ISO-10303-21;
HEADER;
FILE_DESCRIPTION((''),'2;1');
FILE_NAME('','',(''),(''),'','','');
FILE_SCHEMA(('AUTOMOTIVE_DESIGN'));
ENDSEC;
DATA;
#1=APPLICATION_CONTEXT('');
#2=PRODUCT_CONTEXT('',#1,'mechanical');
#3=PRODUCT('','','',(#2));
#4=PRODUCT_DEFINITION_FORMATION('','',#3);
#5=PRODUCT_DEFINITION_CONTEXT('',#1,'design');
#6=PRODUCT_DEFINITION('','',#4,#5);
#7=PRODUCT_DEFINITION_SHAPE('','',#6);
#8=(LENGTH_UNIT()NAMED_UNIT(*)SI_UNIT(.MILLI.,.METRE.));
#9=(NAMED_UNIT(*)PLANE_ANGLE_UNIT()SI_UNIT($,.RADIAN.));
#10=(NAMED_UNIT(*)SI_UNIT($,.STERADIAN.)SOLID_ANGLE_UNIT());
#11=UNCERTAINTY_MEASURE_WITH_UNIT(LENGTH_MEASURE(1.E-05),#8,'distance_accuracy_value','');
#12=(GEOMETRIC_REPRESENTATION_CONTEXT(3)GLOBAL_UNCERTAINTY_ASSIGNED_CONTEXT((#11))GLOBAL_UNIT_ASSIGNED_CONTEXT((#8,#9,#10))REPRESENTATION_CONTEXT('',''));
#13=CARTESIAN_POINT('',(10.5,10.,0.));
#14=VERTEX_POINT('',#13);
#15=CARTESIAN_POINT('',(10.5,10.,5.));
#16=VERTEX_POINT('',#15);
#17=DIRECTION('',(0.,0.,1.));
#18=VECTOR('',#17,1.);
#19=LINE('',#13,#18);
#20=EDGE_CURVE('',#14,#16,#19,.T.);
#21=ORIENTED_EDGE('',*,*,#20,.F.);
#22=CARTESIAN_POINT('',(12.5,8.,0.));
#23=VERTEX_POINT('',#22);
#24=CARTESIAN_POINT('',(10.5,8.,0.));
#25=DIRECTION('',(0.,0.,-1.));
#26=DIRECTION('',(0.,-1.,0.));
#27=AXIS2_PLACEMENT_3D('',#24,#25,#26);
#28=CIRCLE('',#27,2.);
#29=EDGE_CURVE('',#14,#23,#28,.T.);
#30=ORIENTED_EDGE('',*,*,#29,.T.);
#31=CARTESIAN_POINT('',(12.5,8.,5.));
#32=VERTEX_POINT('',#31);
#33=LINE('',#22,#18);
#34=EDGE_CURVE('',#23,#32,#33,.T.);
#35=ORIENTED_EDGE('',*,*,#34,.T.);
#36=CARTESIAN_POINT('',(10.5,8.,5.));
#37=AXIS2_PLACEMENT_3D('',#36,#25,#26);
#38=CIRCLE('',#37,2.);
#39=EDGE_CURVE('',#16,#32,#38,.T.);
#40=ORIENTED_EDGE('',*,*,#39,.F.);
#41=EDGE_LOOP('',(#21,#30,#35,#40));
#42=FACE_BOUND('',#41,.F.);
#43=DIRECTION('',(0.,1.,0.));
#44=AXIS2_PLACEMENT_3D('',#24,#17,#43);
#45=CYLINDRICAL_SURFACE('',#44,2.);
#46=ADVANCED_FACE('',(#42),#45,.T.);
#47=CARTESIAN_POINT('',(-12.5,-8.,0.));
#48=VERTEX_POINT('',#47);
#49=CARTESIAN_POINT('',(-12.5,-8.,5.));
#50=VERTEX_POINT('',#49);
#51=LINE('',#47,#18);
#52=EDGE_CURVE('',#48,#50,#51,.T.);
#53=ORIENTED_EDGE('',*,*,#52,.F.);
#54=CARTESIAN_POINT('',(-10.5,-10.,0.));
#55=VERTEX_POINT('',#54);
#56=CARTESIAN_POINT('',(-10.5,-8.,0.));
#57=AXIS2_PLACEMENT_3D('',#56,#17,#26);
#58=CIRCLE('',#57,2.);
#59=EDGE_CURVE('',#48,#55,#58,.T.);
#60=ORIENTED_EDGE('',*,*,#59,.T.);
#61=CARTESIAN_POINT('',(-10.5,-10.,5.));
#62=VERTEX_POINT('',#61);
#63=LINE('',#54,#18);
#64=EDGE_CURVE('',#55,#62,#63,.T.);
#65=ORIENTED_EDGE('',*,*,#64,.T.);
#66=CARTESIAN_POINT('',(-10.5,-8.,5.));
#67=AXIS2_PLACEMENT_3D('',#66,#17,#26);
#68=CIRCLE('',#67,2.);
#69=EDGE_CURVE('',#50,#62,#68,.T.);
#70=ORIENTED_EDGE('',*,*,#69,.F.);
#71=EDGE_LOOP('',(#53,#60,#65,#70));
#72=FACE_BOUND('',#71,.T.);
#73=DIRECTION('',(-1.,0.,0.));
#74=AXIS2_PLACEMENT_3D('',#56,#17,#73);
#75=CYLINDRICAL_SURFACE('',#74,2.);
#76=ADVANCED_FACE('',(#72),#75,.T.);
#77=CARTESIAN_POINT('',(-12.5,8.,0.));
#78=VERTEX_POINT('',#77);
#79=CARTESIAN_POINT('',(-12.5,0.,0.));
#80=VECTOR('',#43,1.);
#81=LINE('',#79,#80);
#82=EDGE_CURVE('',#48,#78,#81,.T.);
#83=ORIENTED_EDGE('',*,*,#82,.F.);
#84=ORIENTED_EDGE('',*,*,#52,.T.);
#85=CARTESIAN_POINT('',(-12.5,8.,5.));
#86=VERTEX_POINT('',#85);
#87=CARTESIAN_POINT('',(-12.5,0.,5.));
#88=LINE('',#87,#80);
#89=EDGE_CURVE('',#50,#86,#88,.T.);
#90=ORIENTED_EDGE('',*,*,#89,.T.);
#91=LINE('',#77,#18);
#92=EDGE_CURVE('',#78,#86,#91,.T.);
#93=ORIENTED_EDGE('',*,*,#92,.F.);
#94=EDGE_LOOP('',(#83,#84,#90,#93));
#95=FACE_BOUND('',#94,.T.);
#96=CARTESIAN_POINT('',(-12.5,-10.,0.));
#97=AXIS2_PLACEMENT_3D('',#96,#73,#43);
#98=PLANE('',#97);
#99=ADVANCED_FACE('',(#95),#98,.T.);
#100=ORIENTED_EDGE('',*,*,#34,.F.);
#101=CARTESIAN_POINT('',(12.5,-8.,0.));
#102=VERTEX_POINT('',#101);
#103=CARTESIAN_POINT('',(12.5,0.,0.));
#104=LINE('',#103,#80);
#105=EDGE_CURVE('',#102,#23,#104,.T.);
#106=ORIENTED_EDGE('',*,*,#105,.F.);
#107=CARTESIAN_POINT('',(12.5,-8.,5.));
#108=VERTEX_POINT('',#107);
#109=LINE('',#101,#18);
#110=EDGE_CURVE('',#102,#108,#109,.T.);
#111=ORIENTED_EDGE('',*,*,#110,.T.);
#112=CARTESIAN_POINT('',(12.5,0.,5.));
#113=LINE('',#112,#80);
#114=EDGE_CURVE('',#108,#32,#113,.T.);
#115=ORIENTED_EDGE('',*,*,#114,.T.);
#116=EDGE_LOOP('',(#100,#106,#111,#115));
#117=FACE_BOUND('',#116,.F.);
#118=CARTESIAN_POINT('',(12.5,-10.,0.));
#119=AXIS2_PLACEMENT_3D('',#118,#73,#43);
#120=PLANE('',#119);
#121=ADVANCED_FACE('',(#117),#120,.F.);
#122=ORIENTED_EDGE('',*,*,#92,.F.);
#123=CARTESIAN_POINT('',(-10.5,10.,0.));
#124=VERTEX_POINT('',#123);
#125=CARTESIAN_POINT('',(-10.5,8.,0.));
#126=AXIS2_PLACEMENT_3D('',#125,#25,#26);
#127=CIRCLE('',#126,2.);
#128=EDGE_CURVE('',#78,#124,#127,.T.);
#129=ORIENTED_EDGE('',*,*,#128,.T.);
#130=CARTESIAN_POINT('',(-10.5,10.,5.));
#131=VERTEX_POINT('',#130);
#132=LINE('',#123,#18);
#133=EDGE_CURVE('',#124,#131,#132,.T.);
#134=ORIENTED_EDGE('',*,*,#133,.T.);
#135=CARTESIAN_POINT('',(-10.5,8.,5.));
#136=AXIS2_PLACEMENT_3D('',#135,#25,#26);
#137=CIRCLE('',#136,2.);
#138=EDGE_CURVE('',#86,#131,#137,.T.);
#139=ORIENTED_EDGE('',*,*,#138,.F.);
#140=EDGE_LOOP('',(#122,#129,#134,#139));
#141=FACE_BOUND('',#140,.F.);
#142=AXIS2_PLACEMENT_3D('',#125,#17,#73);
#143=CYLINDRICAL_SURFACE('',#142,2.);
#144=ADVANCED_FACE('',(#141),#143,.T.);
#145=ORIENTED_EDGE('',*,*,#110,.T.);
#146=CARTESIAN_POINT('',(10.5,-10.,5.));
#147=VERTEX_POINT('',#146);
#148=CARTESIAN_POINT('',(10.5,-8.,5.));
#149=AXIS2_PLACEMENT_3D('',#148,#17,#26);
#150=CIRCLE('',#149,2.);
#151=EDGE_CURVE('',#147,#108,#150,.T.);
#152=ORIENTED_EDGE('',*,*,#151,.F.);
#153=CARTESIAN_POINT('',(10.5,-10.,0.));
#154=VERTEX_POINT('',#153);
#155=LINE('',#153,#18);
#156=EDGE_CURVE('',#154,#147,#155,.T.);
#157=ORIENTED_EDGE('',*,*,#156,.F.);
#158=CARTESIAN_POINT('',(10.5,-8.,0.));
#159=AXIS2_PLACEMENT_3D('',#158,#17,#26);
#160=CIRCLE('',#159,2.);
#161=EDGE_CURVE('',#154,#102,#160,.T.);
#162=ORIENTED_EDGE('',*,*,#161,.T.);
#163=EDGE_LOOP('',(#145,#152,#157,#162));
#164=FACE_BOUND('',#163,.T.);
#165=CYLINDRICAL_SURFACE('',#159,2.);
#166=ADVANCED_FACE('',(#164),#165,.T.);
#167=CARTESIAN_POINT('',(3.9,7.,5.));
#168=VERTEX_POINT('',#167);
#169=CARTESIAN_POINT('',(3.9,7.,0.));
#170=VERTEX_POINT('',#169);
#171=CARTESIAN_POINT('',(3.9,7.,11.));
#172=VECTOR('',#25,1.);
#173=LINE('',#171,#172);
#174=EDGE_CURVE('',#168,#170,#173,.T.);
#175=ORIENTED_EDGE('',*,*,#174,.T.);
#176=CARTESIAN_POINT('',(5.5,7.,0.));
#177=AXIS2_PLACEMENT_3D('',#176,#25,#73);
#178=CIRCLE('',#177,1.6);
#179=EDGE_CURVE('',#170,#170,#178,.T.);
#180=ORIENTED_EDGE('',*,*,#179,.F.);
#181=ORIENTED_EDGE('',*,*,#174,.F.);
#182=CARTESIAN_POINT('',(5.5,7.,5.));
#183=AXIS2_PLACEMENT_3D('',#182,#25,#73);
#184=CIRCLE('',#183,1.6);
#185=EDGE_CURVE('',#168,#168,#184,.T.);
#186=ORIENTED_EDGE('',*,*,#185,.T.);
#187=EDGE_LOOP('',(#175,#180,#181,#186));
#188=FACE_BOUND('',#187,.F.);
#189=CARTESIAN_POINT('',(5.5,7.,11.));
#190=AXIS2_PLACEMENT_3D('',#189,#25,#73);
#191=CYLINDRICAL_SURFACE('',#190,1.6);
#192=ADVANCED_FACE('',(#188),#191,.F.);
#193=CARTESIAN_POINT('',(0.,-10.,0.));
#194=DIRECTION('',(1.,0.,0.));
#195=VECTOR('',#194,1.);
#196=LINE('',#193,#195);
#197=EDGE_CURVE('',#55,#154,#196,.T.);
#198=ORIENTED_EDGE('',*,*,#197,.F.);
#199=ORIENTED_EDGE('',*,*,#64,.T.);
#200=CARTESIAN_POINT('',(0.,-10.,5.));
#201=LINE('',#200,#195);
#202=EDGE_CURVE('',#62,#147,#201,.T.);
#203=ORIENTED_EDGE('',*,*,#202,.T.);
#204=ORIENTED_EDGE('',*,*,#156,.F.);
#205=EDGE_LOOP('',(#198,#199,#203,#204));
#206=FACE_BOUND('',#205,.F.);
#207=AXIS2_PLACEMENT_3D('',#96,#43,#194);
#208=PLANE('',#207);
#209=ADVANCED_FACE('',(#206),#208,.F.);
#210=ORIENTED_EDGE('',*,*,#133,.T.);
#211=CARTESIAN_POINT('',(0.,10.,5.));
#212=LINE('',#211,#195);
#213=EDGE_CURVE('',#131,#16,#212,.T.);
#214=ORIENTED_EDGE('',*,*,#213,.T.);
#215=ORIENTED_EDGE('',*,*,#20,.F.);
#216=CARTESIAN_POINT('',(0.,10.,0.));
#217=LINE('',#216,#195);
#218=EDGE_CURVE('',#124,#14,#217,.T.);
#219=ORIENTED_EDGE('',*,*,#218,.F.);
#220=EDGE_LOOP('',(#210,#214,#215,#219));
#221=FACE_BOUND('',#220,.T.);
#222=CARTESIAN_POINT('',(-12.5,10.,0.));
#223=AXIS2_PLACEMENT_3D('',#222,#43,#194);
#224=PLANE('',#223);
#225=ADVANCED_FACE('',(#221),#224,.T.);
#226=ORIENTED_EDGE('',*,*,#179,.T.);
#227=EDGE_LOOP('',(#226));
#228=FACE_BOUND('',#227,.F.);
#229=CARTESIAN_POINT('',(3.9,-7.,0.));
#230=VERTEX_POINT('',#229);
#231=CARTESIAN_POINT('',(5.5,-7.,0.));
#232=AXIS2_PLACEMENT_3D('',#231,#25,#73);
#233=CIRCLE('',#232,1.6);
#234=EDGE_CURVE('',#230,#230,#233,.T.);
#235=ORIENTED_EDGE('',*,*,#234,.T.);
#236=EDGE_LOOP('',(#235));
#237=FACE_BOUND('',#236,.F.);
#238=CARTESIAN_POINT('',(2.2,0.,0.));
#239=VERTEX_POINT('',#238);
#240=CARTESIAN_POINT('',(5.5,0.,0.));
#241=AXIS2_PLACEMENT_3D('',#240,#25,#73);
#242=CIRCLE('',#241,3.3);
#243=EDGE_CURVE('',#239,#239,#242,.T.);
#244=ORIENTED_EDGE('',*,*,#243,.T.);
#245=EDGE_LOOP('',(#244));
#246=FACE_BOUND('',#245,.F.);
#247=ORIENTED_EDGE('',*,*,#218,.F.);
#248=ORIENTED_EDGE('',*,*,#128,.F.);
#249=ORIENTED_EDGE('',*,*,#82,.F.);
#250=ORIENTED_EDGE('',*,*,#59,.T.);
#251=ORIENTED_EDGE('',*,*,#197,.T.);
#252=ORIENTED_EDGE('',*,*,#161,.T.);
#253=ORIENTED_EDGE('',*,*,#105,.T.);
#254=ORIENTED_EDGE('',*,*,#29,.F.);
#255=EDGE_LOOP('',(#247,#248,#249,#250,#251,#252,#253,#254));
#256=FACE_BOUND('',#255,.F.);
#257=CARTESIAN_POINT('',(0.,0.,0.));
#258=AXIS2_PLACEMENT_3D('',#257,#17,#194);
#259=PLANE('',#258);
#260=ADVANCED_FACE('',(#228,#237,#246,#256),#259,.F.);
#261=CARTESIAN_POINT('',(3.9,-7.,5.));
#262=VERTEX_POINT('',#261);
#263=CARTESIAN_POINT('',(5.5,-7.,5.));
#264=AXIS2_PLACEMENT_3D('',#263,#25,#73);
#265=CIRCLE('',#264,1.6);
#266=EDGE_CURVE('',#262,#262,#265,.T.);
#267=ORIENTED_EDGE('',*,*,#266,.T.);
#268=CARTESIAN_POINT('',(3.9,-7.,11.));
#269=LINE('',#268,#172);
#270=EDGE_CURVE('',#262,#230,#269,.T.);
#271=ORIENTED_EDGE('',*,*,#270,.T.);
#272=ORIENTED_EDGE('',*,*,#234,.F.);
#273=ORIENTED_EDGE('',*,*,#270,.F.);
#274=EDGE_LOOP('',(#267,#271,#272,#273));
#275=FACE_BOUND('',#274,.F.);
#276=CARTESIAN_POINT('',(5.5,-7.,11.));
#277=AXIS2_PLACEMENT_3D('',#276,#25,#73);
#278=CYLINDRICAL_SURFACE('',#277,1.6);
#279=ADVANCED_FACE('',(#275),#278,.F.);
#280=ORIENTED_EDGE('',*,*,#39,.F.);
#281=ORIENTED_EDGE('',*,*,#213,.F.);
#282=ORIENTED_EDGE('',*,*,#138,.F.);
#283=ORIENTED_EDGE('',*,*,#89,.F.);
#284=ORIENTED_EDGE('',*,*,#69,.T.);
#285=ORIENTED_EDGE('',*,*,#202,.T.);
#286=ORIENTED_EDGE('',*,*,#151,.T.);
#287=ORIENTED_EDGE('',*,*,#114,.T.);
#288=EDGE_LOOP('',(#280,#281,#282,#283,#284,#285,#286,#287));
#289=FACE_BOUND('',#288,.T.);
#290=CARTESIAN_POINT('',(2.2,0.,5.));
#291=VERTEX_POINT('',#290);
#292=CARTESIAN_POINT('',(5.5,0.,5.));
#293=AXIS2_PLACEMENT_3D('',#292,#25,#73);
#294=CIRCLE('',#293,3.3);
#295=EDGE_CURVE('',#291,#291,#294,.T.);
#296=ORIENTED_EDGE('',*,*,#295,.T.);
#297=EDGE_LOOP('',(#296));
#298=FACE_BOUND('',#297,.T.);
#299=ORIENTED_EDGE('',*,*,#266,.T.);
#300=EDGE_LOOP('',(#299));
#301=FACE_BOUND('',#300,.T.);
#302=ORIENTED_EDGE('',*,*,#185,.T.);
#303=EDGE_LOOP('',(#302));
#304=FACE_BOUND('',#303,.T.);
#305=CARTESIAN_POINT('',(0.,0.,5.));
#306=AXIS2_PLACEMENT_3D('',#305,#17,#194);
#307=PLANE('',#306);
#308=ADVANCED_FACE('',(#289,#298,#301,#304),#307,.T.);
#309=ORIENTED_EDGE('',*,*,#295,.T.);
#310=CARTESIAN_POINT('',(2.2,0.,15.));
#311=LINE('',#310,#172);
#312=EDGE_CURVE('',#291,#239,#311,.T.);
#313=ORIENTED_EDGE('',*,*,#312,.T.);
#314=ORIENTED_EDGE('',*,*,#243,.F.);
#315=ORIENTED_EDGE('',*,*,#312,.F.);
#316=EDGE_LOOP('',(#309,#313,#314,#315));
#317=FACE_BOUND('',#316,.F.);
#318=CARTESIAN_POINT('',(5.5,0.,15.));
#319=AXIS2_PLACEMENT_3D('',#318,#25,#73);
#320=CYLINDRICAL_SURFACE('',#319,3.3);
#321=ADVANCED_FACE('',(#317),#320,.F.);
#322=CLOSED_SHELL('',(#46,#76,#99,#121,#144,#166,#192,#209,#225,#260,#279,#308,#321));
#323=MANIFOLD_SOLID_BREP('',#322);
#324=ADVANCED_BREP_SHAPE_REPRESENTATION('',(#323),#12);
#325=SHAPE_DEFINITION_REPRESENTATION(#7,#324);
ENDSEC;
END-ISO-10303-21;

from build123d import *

# Parameters (mm, degrees)
F0_W     = 25
F0_H     = 20
F1_DEPTH = 5
F3_D     = 6.6
F3_DEPTH = 10
F3_TIP   = 1.9828400428
F4_R     = 2
F6_D     = 3.2
F6_DEPTH = 6
F6_TIP   = 0.9613769904


with BuildPart() as f1:
    # F0 (on Top) → F1 (new body)
    with BuildSketch(Plane.XY):
        Rectangle(F0_W, F0_H)
    extrude(amount=F1_DEPTH)

    # F3
    with Locations(Plane.XY.offset(5)):
        with Locations((5.5, 0)):
            Hole(F3_D / 2, depth=F3_DEPTH)
            with Locations((0, 0, -(F3_DEPTH + F3_TIP / 2))):  # 118° drill point
                Cone(0, F3_D / 2, F3_TIP, mode=Mode.SUBTRACT)

    # F4
    f4_edges = [f1.edges().sort_by_distance(p)[0] for p in [
        (-12.5, -10, 2.5),
        (-12.5, 10, 2.5),
        (12.5, -10, 2.5),
        (12.5, 10, 2.5),
    ]]
    fillet(f4_edges, radius=F4_R)

    # F6
    with Locations(Plane.XY.offset(5)):
        with Locations((5.5, 7), (5.5, -7)):
            Hole(F6_D / 2, depth=F6_DEPTH)
            with Locations((0, 0, -(F6_DEPTH + F6_TIP / 2))):  # 118° drill point
                Cone(0, F6_D / 2, F6_TIP, mode=Mode.SUBTRACT)


solid = f1.part
